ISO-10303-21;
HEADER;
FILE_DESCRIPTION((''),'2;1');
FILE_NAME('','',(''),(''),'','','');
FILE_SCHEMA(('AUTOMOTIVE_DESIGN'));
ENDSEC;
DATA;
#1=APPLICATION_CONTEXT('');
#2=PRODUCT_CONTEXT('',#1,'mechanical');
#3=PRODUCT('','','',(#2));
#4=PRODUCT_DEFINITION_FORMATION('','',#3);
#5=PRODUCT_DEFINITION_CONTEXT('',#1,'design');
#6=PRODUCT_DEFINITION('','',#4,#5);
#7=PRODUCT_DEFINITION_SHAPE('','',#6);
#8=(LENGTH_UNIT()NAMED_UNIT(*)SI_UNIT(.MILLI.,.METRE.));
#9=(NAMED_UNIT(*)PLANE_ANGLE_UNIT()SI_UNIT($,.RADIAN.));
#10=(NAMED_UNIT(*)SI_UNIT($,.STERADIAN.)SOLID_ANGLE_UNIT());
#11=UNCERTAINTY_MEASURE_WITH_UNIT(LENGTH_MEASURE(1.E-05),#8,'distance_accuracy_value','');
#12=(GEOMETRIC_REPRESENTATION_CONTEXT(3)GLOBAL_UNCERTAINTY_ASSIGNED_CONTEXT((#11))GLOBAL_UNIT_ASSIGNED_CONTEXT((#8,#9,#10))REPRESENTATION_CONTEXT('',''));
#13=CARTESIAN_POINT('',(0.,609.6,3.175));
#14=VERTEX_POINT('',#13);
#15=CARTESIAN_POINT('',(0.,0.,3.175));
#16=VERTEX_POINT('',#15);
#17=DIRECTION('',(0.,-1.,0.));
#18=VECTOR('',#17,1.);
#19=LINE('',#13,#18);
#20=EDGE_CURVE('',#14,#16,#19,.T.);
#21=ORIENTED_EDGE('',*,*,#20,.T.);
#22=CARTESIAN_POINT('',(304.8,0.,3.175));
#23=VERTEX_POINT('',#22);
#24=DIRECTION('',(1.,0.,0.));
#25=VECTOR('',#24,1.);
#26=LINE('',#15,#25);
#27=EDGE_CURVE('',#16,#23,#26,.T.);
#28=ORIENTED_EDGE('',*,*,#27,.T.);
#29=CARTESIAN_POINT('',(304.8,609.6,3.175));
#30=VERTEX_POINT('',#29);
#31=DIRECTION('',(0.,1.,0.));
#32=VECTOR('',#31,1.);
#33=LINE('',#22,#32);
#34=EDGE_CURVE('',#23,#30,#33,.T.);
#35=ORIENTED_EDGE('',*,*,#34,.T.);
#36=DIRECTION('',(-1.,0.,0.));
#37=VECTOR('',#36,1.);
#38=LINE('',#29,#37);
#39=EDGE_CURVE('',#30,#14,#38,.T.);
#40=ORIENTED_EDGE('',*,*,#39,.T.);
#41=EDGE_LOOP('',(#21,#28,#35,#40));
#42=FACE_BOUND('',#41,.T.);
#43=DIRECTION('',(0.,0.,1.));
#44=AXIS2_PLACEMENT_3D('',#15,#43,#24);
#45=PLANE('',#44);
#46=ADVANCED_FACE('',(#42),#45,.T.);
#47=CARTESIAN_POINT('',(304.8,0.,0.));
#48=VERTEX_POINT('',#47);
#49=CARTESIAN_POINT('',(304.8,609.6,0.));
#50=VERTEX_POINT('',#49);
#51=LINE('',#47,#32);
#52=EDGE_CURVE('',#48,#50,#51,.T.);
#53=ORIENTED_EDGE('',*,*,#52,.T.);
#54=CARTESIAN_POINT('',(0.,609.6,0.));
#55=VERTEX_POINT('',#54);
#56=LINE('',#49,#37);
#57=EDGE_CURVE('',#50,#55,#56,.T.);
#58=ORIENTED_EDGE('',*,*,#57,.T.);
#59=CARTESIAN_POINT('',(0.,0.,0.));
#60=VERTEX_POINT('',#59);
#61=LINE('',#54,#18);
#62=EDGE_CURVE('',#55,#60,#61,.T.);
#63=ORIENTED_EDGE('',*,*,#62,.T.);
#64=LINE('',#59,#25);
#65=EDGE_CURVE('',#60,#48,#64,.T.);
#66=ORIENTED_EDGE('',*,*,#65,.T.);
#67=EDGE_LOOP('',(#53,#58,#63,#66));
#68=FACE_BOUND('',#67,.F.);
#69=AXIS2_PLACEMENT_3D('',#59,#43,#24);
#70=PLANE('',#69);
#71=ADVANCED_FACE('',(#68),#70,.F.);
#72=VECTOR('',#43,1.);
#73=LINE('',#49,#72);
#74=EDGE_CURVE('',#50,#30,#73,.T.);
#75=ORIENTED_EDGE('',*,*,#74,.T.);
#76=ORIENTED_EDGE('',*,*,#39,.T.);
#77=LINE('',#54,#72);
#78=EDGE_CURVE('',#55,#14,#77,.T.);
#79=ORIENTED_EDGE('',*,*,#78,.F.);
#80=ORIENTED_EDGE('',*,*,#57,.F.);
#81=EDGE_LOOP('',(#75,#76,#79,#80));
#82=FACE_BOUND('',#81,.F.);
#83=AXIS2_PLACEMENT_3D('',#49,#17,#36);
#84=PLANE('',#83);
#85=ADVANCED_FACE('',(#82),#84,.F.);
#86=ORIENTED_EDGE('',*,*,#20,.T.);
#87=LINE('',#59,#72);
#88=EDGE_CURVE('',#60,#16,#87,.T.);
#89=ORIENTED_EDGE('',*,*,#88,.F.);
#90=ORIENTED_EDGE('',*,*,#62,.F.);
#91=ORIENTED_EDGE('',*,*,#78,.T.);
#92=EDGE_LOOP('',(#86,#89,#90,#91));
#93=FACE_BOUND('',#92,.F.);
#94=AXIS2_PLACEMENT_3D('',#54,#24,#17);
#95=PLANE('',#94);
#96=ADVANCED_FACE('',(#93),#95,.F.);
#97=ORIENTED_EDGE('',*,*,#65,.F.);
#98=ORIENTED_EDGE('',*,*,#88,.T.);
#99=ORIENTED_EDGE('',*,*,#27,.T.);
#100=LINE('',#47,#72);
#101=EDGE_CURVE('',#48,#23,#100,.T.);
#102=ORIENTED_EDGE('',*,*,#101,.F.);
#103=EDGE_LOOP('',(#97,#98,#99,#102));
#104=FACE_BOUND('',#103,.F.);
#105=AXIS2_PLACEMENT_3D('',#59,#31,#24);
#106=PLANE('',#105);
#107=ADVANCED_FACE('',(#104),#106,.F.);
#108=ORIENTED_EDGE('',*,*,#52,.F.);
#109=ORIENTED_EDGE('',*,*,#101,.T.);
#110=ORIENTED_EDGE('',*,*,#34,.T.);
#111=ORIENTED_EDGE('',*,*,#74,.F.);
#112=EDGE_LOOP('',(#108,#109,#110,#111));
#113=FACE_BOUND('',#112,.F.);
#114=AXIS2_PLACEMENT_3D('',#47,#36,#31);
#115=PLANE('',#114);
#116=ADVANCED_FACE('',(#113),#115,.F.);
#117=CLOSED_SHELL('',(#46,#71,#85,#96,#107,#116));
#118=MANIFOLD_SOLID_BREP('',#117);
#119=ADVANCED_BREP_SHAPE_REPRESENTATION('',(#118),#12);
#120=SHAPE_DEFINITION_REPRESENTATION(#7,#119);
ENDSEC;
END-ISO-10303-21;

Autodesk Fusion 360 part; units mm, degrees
sketch "top content" plane through (0, 0, 0) normal (0, 0, 1) x (1, 0, 0)
  circle A0 centre (15, 105) radius 1.588
  circle A1 centre (15, 15) radius 1.588
  circle A2 centre (135, 105) radius 1.588
  line L0 (0, 120) -> (150, 120) construction
  line L1 (150, 120) -> (150, 0) construction
  line L2 (0, 120) -> (150, 0) construction
  line L3 (150, 0) -> (0, 0) construction
  circle A3 centre (130, 26.2849) radius 6.5
  circle A4 centre (20, 26.2849) radius 6.5
  circle A5 centre (75, 60) radius 1.588
  line L4 (150, 120) -> (0, 0) construction
  circle A6 centre (135, 15) radius 1.588
  circle A7 centre (75, 94.0002) radius 6.5
  line L5 (0, 0) -> (0, 120) construction
  line L6 (1.75, 0) -> (22.5, 0)
  line L7 (0, 1.75) -> (0, 22.5)
  circle A8 centre (30, 30) radius 1.588
  line L8 (10, 5) -> (140, 5)
  line L9 (145, 10) -> (145, 110)
  line L10 (140, 115) -> (10, 115)
  line L11 (5, 110) -> (5, 10)
  line L12 (5, 5) -> (145, 115) construction
  line L13 (145, 5) -> (5, 115) construction
  arc A9 (145, 110) -> (140, 115) centre (140, 110) ccw
  arc A10 (10, 115) -> (5, 110) centre (10, 110) ccw
  arc A11 (5, 10) -> (10, 5) centre (10, 10) ccw
  arc A12 (140, 5) -> (145, 10) centre (140, 10) ccw
  circle A13 centre (120, 30) radius 1.588
  circle A14 centre (30, 90) radius 1.588
  circle A15 centre (120, 90) radius 1.588
  point P0 (75, 60)
  point P1 (75, 60)
  point P2 (75, 60)
  dimension "d2090" = 120
  dimension "d2091" = 90
  dimension "d2092" = 150
  dimension "d2093" = 120
  dimension "d2094" = 13
  dimension "d2095" = 110
  dimension "d2096" = 3.176
  dimension "d2097" = 75
  dimension "d2101" = 20
  dimension "d2103" = 25.9998
  dimension "d2861" = 20
  dimension "d2862" = 26.2849
  dimension "d5914" = 15
  dimension "d5915" = 15
  dimension "d5916" = 3.176
  dimension "d5917" = 30
  dimension "d5918" = 30
  dimension "d5921" = 90
  dimension "d5922" = 60
  dimension "d5923" = 110
  dimension "d5924" = 140
  dimension "d5925" = 5
  dimension "d5926" = 5
  dimension "d5927" = 5
  dimension "d5928" = 5
sketch "b  stock" plane through (0, 0, 0) normal (0, 0, 1) x (1, 0, 0)
  line L0 (0, 0) -> (304.8, 0)
  line L1 (304.8, 0) -> (304.8, 609.6)
  line L2 (304.8, 609.6) -> (0, 609.6)
  line L3 (0, 609.6) -> (0, 0)
extrude "b  stock body extrude" add sketch "b  stock" along normal blind 3.175
equation "screwHoleSize = 3.176 mm"
equation "pcbMountHoles = 2 mm"
equation "d2090 = b_Length - 30 mm"
equation "d2091 = b_Depth - 30 mm"
equation "d2096 = screwHoleSize"
equation "b_Length = 150.00 mm" comment "Length (mm)"
equation "b_Depth = 120.00 mm" comment "Depth (mm)"
equation "b_Height = 65.00 mm" comment "Height (mm)"
equation "b_Thickness = 3.175 mm" comment "Thickness (mm)"
equation "b_Tool_diameter = 2.01 mm" comment "Tool Diameter (mm)"
equation "b_Tooth_width = 10.00 mm" comment "Target Tooth Width (mm)"
equation "b_Kerf = -0.16 mm" comment "Kerf (mm)- can be negative"
equation "b_Delta_from_bottom = -0.10 mm" comment "Additional fine adjustment of bone centers from bottom of holes(mm)- positive makes smaller bottom indents"
equation "b_Stock_x_dimension = 304.80 mm" comment "Stock X Dimension *"
equation "b_Stock_y_dimension = 609.60 mm" comment "Stock Y Dimension"
equation "b_Repeats_l_tmp = -1.00 mm" comment "temp hidden"
equation "Version_info = 0 mm" comment "1.2.0 LENGTH 150.0 DEPTH 120.0 HEIGHT 65.0 THICKNESS 3.175 TOOL_DIAMETER 2.01 TOOTH_WIDTH 10.0 KERF -0.16 DELTA_FROM_BOTTOM -0.1 STOCK_X_DIMENSION 304.8 STOCK_Y_DIMENSION 609.6 COMPONENT  REPEATS_L_TMP -1 CREATE_COMPONENTS False CREATE_BODIES 1 CREATE_EMPTY_CONTENTS False CREATE_CONSTRAINTS True CLEAR_PREVIOUSLY_GENERATED_ITEMS True JUST_CLEAR_PREVIOUSLY_GENERATED_ITEMS False CREATE_MANUFACTURING False JUST_CREATE_MANUFACTURING False DEBUG_JUST_ONE_PART False MANUAL_LAYOUT  LASER False JUST_BUILD_TEST False DEBUG True"
equation "d5916 = screwHoleSize"
equation "d5921 = b_Length - 60 mm"
equation "d5922 = b_Depth - 60 mm"
equation "d5923 = b_Depth - 10 mm"
equation "d5924 = b_Length - 10 mm"
